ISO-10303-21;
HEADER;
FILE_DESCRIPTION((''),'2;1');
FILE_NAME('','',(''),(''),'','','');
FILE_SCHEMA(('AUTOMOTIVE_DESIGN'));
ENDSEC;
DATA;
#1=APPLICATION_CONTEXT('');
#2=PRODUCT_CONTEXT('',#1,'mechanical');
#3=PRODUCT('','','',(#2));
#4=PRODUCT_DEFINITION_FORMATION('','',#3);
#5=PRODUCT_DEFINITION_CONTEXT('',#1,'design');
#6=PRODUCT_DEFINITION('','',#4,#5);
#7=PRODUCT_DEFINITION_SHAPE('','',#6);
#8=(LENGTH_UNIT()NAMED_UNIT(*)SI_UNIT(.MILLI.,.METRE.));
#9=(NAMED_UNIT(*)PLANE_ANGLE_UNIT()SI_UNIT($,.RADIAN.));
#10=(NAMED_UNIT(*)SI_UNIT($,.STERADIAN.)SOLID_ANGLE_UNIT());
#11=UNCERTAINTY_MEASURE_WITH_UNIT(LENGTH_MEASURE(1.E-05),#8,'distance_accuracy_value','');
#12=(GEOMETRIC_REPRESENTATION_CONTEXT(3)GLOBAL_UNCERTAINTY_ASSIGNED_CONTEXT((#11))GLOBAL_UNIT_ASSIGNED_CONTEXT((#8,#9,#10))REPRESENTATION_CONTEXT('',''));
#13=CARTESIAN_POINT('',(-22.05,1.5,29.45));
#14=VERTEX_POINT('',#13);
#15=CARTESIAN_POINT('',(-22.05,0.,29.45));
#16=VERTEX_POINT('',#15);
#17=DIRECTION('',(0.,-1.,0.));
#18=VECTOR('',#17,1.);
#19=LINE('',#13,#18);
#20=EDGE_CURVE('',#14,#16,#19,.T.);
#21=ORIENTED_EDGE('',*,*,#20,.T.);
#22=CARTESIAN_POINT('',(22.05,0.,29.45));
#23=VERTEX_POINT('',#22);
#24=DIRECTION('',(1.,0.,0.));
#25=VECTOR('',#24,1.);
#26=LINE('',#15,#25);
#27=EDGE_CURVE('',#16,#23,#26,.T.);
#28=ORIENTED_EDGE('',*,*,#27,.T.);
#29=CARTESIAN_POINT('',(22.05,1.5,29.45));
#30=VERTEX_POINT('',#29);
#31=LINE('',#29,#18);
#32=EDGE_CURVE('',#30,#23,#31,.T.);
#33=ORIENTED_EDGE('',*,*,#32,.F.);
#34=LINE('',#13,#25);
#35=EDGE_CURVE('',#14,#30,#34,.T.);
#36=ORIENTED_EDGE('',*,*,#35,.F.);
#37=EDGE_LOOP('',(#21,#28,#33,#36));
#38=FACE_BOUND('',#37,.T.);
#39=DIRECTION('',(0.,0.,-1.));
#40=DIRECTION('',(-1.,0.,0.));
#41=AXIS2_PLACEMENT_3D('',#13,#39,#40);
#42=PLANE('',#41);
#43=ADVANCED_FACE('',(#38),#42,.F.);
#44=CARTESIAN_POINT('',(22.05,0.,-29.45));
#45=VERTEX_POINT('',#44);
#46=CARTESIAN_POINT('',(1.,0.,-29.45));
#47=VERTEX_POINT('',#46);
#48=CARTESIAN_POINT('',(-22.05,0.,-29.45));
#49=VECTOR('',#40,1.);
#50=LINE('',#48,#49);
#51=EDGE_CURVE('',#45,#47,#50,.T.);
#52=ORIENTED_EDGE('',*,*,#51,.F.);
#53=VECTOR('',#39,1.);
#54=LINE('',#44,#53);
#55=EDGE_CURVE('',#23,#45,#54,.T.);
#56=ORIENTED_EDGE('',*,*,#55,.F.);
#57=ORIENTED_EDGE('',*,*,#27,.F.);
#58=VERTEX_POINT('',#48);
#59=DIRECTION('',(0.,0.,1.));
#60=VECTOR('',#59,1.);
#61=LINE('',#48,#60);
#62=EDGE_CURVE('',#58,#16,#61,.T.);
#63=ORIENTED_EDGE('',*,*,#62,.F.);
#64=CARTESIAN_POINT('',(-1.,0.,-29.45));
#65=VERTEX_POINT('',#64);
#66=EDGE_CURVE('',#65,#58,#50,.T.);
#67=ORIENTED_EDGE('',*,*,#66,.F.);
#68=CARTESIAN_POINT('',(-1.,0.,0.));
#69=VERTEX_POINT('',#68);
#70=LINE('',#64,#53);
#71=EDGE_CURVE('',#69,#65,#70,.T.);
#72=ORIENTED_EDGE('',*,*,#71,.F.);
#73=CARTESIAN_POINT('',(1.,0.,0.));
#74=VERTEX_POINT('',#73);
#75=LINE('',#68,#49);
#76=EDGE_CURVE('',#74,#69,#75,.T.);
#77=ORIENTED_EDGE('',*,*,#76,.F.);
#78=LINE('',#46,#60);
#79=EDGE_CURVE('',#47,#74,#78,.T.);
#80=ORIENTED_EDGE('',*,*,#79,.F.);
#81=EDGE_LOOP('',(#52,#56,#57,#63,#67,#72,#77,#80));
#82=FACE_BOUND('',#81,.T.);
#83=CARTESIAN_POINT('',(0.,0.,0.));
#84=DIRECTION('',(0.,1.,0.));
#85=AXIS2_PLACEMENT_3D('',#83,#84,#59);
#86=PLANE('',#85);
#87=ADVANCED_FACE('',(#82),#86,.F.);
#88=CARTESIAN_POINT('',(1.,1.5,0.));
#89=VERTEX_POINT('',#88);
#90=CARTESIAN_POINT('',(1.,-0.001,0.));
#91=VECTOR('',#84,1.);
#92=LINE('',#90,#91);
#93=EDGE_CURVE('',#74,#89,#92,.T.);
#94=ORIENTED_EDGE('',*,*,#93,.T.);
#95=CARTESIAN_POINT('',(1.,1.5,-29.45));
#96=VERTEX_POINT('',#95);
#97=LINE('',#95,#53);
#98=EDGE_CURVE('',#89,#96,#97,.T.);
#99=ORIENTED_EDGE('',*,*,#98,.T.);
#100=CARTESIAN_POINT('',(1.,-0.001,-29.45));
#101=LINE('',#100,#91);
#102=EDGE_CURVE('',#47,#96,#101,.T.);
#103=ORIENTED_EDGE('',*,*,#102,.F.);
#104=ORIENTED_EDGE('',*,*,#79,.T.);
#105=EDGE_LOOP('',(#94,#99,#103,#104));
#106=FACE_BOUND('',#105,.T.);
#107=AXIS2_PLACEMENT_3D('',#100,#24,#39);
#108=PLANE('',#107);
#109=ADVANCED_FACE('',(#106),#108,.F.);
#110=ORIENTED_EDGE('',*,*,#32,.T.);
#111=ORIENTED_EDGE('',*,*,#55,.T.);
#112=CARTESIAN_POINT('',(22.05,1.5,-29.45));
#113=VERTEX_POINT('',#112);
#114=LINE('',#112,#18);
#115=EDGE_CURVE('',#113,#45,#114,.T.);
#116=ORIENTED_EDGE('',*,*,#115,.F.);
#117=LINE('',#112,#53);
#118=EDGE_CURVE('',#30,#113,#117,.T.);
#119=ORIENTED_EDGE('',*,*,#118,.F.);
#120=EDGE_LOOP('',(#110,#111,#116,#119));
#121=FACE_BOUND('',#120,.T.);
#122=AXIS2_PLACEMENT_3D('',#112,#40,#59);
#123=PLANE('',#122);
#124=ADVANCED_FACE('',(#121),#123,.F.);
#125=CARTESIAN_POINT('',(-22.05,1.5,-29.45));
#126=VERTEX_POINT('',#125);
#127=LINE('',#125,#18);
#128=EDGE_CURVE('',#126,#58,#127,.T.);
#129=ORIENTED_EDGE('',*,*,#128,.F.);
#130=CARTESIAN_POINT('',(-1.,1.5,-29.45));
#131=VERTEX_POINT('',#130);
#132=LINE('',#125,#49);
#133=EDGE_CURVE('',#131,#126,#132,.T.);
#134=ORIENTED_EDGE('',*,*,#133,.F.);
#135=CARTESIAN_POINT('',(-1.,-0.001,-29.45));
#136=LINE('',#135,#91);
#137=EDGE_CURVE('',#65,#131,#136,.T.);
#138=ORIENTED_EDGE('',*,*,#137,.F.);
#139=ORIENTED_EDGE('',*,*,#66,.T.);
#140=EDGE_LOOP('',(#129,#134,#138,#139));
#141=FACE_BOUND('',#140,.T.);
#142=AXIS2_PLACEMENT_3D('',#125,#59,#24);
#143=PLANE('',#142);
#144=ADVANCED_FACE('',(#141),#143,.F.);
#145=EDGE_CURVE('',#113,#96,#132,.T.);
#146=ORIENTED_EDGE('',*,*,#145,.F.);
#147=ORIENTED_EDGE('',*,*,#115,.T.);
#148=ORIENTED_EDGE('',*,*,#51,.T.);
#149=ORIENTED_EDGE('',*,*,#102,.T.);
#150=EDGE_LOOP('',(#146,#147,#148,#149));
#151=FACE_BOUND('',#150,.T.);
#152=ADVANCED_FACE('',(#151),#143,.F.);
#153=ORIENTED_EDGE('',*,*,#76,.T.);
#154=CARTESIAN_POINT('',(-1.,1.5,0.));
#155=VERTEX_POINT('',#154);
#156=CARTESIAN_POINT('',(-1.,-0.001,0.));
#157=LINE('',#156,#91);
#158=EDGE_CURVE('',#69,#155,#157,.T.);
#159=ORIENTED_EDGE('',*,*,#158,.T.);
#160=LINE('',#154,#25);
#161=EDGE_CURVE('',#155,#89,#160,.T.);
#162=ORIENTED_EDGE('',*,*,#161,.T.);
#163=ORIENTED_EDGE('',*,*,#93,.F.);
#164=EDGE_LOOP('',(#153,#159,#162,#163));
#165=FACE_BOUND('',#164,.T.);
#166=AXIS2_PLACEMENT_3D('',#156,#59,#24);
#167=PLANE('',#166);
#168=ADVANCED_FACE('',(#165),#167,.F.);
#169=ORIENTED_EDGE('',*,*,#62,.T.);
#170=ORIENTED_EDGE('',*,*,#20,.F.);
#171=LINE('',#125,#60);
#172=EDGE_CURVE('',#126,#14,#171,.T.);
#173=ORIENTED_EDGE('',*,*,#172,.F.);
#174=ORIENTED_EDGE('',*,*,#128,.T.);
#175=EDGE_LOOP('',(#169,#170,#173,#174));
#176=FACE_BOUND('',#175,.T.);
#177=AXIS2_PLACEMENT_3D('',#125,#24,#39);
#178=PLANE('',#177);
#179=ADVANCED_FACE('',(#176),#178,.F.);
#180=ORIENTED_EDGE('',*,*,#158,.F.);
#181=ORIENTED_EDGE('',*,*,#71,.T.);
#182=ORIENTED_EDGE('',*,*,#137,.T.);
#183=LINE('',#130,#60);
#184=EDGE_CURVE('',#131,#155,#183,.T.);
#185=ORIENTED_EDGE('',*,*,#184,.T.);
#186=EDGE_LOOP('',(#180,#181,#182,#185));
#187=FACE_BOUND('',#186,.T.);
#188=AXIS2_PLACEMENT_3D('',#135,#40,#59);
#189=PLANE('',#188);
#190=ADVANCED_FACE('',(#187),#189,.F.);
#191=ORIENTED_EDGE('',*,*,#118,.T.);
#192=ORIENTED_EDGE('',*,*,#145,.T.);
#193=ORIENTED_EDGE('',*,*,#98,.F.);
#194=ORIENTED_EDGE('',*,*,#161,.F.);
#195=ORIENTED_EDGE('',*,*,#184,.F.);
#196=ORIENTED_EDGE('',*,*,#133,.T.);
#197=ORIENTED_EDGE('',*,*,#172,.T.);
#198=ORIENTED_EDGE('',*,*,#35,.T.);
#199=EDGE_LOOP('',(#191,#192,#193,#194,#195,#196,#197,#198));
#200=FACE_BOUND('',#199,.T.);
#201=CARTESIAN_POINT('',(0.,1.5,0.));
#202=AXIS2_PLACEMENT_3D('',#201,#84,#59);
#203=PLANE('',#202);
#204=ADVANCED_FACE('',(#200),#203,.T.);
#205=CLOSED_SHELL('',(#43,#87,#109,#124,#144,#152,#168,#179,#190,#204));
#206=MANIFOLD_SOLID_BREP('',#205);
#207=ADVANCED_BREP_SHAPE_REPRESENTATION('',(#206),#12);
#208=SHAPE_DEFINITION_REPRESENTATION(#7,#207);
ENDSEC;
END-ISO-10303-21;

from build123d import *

# Parameters (mm, degrees)
SKETCH1_W           = 44.1
SKETCH1_H           = 58.9
BOSS_EXTRUDE1_DEPTH = 1.5
CUT_EXTRUDE1_REACH  = 38.821
SKETCH2_W           = 2
SKETCH2_H           = 29.45


with BuildPart() as part:
    # Sketch1 → Boss-Extrude1 (new body)
    with BuildSketch(Plane(origin=(0, 0, 0), x_dir=(1, 0, 0), z_dir=(0, 1, 0))):
        Rectangle(SKETCH1_W, SKETCH1_H)
    extrude(amount=BOSS_EXTRUDE1_DEPTH)

    # Sketch2 → Cut-Extrude1 (cut, up to next)
    with BuildSketch(Plane(origin=(0, 1.5, 0), x_dir=(1, 0, 0), z_dir=(0, 1, 0)), mode=Mode.PRIVATE) as cut_extrude1_sk1:
        with Locations((0, 14.725)):
            Rectangle(SKETCH2_W, SKETCH2_H)
    cut_extrude1_tool1 = extrude(cut_extrude1_sk1.sketch, amount=-CUT_EXTRUDE1_REACH, mode=Mode.PRIVATE) & part.part
    add(cut_extrude1_tool1.solids().sort_by_distance((0, 1.5, -14.725))[0], mode=Mode.SUBTRACT)


solid = part.part
